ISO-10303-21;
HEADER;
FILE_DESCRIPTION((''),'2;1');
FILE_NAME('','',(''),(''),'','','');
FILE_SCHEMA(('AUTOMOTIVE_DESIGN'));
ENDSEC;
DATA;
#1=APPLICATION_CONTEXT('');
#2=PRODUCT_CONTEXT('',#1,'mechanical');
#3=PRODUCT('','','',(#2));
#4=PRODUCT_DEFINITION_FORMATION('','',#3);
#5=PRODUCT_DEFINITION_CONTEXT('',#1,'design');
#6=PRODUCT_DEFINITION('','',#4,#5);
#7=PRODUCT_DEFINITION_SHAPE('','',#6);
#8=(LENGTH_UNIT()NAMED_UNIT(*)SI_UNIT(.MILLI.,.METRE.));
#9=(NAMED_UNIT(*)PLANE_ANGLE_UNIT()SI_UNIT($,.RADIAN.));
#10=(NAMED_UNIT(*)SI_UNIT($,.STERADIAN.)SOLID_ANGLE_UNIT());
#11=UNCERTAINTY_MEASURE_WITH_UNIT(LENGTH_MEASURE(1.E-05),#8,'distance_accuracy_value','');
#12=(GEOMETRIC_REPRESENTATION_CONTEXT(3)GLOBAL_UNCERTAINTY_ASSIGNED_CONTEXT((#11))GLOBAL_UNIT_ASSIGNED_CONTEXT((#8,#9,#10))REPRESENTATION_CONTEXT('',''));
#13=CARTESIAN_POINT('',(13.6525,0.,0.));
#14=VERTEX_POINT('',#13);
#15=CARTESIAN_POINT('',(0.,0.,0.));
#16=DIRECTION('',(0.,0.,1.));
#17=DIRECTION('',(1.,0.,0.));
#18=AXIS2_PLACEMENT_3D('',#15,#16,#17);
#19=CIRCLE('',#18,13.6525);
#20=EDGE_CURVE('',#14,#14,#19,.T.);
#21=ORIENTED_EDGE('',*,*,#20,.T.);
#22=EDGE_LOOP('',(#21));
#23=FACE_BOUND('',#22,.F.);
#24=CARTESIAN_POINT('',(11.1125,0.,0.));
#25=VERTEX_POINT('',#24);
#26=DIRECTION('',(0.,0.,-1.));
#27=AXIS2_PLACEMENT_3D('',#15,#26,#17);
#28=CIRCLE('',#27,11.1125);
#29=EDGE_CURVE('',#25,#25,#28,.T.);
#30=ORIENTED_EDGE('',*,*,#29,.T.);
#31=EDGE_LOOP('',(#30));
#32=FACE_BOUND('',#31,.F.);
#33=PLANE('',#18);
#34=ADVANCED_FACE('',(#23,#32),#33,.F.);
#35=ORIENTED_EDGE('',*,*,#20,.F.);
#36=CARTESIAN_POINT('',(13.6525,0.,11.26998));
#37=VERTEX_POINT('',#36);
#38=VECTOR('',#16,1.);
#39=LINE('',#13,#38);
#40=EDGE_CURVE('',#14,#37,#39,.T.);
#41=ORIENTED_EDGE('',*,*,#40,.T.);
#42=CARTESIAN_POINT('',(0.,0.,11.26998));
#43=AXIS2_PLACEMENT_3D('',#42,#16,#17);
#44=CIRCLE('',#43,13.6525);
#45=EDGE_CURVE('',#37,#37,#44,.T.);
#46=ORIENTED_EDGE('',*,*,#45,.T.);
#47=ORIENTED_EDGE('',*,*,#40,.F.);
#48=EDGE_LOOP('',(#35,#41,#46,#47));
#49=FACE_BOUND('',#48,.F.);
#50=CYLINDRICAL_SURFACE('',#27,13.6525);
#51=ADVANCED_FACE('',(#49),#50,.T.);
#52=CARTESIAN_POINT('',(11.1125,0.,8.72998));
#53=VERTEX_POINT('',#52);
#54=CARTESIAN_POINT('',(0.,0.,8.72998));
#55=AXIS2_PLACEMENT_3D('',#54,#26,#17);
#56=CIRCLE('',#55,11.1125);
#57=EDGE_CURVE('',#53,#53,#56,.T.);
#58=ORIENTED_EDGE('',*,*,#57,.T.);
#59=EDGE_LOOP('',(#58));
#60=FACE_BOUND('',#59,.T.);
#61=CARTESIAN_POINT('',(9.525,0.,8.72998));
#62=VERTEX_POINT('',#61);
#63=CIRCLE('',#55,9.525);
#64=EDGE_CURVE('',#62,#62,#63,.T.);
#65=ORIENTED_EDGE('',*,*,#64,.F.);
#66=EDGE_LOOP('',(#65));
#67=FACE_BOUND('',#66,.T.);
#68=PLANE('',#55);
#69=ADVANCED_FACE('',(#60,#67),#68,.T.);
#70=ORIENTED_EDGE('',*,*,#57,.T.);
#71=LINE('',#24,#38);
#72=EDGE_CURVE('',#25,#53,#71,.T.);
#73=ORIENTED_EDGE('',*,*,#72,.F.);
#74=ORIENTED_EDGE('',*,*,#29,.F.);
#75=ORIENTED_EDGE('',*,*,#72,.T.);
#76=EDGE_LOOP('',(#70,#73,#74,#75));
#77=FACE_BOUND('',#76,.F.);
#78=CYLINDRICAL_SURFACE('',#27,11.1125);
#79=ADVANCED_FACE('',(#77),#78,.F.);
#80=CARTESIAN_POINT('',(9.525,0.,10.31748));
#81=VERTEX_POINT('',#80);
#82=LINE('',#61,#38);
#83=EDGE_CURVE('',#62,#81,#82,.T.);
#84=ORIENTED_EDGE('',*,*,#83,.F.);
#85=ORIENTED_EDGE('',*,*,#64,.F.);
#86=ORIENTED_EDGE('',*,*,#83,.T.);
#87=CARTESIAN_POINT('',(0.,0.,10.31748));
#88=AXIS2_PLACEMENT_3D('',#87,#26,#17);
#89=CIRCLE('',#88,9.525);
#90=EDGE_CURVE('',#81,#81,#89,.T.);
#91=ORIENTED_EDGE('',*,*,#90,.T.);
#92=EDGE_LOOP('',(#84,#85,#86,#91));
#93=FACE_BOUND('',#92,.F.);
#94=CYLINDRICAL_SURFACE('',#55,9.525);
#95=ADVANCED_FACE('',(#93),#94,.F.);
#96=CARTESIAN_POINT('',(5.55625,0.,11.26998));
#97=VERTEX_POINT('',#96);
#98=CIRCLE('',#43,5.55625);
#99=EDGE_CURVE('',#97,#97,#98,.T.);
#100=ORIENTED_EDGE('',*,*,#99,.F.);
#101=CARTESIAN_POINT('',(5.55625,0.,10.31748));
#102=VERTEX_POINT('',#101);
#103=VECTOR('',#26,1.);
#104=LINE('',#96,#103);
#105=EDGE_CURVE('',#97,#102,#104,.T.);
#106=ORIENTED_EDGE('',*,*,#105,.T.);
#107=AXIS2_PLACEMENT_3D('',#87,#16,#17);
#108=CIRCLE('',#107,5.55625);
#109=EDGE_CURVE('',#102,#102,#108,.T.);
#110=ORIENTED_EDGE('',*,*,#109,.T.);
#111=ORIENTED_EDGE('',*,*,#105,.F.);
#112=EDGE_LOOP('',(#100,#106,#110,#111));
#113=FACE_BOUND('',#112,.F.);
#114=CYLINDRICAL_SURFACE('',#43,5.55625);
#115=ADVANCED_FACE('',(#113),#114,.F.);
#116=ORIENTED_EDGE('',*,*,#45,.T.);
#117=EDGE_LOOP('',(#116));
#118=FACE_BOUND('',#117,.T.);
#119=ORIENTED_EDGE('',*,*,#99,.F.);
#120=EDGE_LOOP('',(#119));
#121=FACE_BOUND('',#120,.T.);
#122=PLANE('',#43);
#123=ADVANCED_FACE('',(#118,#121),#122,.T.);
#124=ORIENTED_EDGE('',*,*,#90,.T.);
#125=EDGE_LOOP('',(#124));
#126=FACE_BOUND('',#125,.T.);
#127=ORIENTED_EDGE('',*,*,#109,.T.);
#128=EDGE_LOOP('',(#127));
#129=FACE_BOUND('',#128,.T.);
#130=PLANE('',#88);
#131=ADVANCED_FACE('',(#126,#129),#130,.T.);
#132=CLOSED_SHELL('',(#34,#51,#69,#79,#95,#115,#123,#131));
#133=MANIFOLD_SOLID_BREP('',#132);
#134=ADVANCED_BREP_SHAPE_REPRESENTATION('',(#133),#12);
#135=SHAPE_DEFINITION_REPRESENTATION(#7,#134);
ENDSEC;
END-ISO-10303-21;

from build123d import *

# Parameters (mm, degrees)
F0_R     = 13.6525
F1_DEPTH = 11.26998
F2_R     = 11.1125
F3_DEPTH = 8.72998
F4_R     = 9.525
F5_DEPTH = 1.5875
F6_R     = 5.55625
F7_DEPTH = 11.27098


with BuildPart() as f1:
    # F0 (on Top) → F1 (new body)
    with BuildSketch(Plane.XY):
        Circle(F0_R)
    extrude(amount=F1_DEPTH)

    # F2 (on face) → F3 (cut)
    with BuildSketch(Plane(origin=(0, 0, 0), x_dir=(1, 0, 0), z_dir=(0, 0, -1))):
        Circle(F2_R)
    extrude(amount=-F3_DEPTH, mode=Mode.SUBTRACT)

    # F4 (on face) → F5 (cut)
    with BuildSketch(Plane(origin=(0, 0, 8.72998), x_dir=(1, 0, 0), z_dir=(0, 0, -1))):
        Circle(F4_R)
    extrude(amount=-F5_DEPTH, mode=Mode.SUBTRACT)

    # F6 (on face) → F7 (cut, through all)
    with BuildSketch(Plane.XY.offset(11.26998)):
        Circle(F6_R)
    extrude(amount=-F7_DEPTH, mode=Mode.SUBTRACT)


solid = f1.part
